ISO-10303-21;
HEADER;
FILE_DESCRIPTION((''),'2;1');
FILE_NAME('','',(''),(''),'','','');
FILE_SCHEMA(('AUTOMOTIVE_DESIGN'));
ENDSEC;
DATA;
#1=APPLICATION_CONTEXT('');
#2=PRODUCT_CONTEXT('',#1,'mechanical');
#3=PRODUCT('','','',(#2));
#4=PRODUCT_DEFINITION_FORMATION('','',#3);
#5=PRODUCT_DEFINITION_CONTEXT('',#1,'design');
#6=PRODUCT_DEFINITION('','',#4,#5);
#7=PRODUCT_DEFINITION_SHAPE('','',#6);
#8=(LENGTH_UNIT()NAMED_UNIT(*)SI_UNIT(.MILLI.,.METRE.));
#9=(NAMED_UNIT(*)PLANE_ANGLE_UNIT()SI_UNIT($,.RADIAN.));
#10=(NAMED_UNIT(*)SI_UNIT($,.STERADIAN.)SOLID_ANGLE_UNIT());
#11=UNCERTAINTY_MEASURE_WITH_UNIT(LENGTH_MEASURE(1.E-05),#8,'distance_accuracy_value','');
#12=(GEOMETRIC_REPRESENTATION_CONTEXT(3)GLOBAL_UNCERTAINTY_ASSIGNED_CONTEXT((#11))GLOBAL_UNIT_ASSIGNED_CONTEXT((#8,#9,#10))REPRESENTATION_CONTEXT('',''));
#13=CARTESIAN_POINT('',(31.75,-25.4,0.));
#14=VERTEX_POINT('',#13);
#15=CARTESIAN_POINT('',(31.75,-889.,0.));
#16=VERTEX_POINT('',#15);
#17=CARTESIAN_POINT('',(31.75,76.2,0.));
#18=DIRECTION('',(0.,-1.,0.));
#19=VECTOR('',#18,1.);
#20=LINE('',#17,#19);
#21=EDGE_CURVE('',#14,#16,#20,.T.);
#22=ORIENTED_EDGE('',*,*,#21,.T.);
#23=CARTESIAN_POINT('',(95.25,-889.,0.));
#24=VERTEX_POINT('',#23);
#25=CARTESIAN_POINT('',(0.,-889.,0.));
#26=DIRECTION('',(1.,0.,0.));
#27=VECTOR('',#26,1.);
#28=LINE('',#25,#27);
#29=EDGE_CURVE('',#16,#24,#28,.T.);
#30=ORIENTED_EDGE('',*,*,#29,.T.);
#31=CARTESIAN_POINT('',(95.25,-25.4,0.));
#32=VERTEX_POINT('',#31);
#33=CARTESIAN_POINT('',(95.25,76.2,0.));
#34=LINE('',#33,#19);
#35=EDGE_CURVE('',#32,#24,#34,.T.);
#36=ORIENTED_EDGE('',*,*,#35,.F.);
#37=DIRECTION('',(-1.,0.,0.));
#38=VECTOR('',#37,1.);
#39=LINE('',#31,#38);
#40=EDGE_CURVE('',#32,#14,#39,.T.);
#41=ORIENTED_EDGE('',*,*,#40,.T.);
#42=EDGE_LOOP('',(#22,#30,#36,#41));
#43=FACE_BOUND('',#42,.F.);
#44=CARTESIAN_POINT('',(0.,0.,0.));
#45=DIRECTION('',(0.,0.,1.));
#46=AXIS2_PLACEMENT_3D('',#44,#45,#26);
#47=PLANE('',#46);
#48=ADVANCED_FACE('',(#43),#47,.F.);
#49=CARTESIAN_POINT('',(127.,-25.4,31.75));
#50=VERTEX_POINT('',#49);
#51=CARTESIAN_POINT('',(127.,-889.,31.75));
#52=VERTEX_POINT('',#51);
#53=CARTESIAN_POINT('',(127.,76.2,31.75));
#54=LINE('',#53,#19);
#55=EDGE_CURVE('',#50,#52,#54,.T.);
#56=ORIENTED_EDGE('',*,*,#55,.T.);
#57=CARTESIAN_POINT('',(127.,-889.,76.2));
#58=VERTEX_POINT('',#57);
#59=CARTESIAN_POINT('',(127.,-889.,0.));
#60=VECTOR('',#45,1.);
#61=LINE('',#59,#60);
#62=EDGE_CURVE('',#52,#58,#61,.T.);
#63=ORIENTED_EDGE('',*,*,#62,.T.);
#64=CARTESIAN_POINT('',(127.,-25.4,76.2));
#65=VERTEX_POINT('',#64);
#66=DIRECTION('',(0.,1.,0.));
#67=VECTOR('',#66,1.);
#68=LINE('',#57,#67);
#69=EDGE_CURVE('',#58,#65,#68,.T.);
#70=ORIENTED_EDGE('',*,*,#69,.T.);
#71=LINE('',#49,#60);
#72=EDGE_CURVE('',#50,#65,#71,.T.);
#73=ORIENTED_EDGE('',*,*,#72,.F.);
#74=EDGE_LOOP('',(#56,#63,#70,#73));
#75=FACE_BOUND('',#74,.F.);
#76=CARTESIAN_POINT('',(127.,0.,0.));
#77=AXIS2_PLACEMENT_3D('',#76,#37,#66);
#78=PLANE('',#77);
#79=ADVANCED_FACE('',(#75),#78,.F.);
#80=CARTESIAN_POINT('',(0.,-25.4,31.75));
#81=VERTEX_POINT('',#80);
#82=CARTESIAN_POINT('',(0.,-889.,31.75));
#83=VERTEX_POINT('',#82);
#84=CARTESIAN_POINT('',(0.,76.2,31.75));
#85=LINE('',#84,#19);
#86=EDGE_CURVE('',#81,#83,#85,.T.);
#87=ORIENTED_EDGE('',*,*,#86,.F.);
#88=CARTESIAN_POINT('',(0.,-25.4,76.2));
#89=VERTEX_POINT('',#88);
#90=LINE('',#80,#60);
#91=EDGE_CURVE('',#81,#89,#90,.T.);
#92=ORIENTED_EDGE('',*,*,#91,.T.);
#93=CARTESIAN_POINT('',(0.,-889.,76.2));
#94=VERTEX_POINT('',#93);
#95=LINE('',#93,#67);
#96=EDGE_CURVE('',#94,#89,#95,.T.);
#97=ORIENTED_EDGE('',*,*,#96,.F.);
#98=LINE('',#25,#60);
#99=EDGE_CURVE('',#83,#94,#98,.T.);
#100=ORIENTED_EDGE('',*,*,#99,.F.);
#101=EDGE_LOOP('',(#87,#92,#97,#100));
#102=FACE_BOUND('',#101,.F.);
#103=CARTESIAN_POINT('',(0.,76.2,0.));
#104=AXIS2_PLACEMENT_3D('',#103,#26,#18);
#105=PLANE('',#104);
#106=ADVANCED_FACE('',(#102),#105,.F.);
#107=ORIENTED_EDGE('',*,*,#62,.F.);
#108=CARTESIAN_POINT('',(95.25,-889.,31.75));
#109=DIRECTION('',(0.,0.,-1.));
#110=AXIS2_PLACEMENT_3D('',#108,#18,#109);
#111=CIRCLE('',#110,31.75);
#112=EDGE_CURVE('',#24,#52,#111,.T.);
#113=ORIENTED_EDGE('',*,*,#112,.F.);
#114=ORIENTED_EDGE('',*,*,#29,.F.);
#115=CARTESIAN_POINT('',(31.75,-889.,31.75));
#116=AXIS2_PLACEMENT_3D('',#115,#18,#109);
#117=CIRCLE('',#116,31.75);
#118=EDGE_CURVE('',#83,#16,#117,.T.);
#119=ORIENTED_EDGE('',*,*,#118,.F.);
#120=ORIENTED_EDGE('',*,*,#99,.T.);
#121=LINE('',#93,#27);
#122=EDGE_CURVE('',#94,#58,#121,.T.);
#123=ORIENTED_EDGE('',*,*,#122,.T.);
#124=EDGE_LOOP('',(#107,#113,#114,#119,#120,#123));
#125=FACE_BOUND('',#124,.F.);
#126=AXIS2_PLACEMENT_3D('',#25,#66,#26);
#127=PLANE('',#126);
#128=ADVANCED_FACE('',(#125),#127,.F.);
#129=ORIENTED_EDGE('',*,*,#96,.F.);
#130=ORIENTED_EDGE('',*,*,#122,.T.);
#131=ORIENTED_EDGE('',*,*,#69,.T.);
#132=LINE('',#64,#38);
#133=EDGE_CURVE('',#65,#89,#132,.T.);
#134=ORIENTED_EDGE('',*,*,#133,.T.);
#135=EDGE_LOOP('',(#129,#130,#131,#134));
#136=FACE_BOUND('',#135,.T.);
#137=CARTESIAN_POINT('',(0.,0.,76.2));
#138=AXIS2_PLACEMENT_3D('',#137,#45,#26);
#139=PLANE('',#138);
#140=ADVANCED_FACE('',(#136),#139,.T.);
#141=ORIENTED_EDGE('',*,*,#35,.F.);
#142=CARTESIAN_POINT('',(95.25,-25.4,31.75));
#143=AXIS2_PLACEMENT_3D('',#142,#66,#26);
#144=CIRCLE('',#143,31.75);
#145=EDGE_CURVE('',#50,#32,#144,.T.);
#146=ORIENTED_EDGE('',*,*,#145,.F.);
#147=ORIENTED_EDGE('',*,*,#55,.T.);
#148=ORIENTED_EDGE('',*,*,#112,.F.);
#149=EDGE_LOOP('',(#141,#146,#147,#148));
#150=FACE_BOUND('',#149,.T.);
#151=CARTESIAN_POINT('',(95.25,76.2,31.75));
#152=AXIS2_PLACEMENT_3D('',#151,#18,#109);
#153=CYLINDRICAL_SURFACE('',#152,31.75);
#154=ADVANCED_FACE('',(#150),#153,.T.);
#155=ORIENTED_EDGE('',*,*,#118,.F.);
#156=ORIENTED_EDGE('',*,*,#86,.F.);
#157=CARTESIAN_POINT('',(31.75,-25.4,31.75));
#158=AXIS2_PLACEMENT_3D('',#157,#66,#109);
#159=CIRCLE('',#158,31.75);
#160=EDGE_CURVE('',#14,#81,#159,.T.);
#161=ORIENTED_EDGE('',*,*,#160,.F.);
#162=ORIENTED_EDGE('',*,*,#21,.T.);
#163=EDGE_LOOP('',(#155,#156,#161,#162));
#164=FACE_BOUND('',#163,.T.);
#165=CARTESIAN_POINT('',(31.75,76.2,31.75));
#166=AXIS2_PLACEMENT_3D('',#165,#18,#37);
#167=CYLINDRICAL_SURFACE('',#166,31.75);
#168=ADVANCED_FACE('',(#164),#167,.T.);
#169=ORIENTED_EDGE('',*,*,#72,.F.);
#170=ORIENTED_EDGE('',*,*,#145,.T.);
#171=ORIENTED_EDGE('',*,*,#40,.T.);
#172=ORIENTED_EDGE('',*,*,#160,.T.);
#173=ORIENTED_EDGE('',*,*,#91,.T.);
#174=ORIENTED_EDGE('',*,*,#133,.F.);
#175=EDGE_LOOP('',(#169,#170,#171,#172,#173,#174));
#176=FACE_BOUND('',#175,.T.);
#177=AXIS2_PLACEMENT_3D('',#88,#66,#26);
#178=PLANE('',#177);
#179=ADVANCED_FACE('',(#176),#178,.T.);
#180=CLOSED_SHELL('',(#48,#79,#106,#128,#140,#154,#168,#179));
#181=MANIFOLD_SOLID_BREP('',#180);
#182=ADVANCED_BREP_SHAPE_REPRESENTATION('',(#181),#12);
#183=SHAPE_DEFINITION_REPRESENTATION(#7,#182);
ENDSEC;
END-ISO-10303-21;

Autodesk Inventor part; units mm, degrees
ref_plane "YZ Plane" through (0, 0, 0) normal (1, 0, 0) x (0, 1, 0)
ref_plane "XZ Plane" through (0, 0, 0) normal (0, 1, 0) x (-1, 0, 0)
ref_plane "XY Plane" through (0, 0, 0) normal (0, 0, 1) x (1, 0, 0)
sketch "Sketch1" plane through (0, 0, 0) normal (0, 0, 1) x (1, 0, 0)
  line L0 (0, 0) -> (127, 0)
  line L1 (127, 0) -> (127, 76.2)
  line L2 (127, 76.2) -> (0, 76.2)
  line L3 (0, 76.2) -> (0, 0)
  line L4 (127, 76.2) -> (0, 76.2)
  line L5 (0, 76.2) -> (0, -889)
  line L6 (0, -889) -> (127, -889)
  line L7 (127, -889) -> (127, 76.2)
  dimension "d0" = 127
  dimension "d1" = 76.2
  dimension "d2" = 127
  dimension "d3" = 965.2
extrude "Extrusion1" add sketch "Sketch1" along normal blind 76.2
fillet "Fillet1" radius 31.75 2 edges at (127, -406.4, 0) (0, -406.4, 0)
sketch "Sketch2" plane through (0, 76.2, 76.2) normal (0, 1, 0) x (1, 0, 0)
  arc A0 (31.75, 76.2) -> (0, 44.45) centre (31.75, 44.45) ccw projected
  line L0 (0, 44.45) -> (0, 0) projected
  line L1 (127, 0) -> (0, 0) projected
  line L2 (127, 44.45) -> (127, 0) projected
  arc A1 (127, 44.45) -> (95.25, 76.2) centre (95.25, 44.45) ccw projected
  line L3 (95.25, 76.2) -> (31.75, 76.2) projected
  point P0 (0, 76.2)
extrude "Extrusion2" cut sketch "Sketch2" against normal blind 101.6
properties part number "BumperSide"
